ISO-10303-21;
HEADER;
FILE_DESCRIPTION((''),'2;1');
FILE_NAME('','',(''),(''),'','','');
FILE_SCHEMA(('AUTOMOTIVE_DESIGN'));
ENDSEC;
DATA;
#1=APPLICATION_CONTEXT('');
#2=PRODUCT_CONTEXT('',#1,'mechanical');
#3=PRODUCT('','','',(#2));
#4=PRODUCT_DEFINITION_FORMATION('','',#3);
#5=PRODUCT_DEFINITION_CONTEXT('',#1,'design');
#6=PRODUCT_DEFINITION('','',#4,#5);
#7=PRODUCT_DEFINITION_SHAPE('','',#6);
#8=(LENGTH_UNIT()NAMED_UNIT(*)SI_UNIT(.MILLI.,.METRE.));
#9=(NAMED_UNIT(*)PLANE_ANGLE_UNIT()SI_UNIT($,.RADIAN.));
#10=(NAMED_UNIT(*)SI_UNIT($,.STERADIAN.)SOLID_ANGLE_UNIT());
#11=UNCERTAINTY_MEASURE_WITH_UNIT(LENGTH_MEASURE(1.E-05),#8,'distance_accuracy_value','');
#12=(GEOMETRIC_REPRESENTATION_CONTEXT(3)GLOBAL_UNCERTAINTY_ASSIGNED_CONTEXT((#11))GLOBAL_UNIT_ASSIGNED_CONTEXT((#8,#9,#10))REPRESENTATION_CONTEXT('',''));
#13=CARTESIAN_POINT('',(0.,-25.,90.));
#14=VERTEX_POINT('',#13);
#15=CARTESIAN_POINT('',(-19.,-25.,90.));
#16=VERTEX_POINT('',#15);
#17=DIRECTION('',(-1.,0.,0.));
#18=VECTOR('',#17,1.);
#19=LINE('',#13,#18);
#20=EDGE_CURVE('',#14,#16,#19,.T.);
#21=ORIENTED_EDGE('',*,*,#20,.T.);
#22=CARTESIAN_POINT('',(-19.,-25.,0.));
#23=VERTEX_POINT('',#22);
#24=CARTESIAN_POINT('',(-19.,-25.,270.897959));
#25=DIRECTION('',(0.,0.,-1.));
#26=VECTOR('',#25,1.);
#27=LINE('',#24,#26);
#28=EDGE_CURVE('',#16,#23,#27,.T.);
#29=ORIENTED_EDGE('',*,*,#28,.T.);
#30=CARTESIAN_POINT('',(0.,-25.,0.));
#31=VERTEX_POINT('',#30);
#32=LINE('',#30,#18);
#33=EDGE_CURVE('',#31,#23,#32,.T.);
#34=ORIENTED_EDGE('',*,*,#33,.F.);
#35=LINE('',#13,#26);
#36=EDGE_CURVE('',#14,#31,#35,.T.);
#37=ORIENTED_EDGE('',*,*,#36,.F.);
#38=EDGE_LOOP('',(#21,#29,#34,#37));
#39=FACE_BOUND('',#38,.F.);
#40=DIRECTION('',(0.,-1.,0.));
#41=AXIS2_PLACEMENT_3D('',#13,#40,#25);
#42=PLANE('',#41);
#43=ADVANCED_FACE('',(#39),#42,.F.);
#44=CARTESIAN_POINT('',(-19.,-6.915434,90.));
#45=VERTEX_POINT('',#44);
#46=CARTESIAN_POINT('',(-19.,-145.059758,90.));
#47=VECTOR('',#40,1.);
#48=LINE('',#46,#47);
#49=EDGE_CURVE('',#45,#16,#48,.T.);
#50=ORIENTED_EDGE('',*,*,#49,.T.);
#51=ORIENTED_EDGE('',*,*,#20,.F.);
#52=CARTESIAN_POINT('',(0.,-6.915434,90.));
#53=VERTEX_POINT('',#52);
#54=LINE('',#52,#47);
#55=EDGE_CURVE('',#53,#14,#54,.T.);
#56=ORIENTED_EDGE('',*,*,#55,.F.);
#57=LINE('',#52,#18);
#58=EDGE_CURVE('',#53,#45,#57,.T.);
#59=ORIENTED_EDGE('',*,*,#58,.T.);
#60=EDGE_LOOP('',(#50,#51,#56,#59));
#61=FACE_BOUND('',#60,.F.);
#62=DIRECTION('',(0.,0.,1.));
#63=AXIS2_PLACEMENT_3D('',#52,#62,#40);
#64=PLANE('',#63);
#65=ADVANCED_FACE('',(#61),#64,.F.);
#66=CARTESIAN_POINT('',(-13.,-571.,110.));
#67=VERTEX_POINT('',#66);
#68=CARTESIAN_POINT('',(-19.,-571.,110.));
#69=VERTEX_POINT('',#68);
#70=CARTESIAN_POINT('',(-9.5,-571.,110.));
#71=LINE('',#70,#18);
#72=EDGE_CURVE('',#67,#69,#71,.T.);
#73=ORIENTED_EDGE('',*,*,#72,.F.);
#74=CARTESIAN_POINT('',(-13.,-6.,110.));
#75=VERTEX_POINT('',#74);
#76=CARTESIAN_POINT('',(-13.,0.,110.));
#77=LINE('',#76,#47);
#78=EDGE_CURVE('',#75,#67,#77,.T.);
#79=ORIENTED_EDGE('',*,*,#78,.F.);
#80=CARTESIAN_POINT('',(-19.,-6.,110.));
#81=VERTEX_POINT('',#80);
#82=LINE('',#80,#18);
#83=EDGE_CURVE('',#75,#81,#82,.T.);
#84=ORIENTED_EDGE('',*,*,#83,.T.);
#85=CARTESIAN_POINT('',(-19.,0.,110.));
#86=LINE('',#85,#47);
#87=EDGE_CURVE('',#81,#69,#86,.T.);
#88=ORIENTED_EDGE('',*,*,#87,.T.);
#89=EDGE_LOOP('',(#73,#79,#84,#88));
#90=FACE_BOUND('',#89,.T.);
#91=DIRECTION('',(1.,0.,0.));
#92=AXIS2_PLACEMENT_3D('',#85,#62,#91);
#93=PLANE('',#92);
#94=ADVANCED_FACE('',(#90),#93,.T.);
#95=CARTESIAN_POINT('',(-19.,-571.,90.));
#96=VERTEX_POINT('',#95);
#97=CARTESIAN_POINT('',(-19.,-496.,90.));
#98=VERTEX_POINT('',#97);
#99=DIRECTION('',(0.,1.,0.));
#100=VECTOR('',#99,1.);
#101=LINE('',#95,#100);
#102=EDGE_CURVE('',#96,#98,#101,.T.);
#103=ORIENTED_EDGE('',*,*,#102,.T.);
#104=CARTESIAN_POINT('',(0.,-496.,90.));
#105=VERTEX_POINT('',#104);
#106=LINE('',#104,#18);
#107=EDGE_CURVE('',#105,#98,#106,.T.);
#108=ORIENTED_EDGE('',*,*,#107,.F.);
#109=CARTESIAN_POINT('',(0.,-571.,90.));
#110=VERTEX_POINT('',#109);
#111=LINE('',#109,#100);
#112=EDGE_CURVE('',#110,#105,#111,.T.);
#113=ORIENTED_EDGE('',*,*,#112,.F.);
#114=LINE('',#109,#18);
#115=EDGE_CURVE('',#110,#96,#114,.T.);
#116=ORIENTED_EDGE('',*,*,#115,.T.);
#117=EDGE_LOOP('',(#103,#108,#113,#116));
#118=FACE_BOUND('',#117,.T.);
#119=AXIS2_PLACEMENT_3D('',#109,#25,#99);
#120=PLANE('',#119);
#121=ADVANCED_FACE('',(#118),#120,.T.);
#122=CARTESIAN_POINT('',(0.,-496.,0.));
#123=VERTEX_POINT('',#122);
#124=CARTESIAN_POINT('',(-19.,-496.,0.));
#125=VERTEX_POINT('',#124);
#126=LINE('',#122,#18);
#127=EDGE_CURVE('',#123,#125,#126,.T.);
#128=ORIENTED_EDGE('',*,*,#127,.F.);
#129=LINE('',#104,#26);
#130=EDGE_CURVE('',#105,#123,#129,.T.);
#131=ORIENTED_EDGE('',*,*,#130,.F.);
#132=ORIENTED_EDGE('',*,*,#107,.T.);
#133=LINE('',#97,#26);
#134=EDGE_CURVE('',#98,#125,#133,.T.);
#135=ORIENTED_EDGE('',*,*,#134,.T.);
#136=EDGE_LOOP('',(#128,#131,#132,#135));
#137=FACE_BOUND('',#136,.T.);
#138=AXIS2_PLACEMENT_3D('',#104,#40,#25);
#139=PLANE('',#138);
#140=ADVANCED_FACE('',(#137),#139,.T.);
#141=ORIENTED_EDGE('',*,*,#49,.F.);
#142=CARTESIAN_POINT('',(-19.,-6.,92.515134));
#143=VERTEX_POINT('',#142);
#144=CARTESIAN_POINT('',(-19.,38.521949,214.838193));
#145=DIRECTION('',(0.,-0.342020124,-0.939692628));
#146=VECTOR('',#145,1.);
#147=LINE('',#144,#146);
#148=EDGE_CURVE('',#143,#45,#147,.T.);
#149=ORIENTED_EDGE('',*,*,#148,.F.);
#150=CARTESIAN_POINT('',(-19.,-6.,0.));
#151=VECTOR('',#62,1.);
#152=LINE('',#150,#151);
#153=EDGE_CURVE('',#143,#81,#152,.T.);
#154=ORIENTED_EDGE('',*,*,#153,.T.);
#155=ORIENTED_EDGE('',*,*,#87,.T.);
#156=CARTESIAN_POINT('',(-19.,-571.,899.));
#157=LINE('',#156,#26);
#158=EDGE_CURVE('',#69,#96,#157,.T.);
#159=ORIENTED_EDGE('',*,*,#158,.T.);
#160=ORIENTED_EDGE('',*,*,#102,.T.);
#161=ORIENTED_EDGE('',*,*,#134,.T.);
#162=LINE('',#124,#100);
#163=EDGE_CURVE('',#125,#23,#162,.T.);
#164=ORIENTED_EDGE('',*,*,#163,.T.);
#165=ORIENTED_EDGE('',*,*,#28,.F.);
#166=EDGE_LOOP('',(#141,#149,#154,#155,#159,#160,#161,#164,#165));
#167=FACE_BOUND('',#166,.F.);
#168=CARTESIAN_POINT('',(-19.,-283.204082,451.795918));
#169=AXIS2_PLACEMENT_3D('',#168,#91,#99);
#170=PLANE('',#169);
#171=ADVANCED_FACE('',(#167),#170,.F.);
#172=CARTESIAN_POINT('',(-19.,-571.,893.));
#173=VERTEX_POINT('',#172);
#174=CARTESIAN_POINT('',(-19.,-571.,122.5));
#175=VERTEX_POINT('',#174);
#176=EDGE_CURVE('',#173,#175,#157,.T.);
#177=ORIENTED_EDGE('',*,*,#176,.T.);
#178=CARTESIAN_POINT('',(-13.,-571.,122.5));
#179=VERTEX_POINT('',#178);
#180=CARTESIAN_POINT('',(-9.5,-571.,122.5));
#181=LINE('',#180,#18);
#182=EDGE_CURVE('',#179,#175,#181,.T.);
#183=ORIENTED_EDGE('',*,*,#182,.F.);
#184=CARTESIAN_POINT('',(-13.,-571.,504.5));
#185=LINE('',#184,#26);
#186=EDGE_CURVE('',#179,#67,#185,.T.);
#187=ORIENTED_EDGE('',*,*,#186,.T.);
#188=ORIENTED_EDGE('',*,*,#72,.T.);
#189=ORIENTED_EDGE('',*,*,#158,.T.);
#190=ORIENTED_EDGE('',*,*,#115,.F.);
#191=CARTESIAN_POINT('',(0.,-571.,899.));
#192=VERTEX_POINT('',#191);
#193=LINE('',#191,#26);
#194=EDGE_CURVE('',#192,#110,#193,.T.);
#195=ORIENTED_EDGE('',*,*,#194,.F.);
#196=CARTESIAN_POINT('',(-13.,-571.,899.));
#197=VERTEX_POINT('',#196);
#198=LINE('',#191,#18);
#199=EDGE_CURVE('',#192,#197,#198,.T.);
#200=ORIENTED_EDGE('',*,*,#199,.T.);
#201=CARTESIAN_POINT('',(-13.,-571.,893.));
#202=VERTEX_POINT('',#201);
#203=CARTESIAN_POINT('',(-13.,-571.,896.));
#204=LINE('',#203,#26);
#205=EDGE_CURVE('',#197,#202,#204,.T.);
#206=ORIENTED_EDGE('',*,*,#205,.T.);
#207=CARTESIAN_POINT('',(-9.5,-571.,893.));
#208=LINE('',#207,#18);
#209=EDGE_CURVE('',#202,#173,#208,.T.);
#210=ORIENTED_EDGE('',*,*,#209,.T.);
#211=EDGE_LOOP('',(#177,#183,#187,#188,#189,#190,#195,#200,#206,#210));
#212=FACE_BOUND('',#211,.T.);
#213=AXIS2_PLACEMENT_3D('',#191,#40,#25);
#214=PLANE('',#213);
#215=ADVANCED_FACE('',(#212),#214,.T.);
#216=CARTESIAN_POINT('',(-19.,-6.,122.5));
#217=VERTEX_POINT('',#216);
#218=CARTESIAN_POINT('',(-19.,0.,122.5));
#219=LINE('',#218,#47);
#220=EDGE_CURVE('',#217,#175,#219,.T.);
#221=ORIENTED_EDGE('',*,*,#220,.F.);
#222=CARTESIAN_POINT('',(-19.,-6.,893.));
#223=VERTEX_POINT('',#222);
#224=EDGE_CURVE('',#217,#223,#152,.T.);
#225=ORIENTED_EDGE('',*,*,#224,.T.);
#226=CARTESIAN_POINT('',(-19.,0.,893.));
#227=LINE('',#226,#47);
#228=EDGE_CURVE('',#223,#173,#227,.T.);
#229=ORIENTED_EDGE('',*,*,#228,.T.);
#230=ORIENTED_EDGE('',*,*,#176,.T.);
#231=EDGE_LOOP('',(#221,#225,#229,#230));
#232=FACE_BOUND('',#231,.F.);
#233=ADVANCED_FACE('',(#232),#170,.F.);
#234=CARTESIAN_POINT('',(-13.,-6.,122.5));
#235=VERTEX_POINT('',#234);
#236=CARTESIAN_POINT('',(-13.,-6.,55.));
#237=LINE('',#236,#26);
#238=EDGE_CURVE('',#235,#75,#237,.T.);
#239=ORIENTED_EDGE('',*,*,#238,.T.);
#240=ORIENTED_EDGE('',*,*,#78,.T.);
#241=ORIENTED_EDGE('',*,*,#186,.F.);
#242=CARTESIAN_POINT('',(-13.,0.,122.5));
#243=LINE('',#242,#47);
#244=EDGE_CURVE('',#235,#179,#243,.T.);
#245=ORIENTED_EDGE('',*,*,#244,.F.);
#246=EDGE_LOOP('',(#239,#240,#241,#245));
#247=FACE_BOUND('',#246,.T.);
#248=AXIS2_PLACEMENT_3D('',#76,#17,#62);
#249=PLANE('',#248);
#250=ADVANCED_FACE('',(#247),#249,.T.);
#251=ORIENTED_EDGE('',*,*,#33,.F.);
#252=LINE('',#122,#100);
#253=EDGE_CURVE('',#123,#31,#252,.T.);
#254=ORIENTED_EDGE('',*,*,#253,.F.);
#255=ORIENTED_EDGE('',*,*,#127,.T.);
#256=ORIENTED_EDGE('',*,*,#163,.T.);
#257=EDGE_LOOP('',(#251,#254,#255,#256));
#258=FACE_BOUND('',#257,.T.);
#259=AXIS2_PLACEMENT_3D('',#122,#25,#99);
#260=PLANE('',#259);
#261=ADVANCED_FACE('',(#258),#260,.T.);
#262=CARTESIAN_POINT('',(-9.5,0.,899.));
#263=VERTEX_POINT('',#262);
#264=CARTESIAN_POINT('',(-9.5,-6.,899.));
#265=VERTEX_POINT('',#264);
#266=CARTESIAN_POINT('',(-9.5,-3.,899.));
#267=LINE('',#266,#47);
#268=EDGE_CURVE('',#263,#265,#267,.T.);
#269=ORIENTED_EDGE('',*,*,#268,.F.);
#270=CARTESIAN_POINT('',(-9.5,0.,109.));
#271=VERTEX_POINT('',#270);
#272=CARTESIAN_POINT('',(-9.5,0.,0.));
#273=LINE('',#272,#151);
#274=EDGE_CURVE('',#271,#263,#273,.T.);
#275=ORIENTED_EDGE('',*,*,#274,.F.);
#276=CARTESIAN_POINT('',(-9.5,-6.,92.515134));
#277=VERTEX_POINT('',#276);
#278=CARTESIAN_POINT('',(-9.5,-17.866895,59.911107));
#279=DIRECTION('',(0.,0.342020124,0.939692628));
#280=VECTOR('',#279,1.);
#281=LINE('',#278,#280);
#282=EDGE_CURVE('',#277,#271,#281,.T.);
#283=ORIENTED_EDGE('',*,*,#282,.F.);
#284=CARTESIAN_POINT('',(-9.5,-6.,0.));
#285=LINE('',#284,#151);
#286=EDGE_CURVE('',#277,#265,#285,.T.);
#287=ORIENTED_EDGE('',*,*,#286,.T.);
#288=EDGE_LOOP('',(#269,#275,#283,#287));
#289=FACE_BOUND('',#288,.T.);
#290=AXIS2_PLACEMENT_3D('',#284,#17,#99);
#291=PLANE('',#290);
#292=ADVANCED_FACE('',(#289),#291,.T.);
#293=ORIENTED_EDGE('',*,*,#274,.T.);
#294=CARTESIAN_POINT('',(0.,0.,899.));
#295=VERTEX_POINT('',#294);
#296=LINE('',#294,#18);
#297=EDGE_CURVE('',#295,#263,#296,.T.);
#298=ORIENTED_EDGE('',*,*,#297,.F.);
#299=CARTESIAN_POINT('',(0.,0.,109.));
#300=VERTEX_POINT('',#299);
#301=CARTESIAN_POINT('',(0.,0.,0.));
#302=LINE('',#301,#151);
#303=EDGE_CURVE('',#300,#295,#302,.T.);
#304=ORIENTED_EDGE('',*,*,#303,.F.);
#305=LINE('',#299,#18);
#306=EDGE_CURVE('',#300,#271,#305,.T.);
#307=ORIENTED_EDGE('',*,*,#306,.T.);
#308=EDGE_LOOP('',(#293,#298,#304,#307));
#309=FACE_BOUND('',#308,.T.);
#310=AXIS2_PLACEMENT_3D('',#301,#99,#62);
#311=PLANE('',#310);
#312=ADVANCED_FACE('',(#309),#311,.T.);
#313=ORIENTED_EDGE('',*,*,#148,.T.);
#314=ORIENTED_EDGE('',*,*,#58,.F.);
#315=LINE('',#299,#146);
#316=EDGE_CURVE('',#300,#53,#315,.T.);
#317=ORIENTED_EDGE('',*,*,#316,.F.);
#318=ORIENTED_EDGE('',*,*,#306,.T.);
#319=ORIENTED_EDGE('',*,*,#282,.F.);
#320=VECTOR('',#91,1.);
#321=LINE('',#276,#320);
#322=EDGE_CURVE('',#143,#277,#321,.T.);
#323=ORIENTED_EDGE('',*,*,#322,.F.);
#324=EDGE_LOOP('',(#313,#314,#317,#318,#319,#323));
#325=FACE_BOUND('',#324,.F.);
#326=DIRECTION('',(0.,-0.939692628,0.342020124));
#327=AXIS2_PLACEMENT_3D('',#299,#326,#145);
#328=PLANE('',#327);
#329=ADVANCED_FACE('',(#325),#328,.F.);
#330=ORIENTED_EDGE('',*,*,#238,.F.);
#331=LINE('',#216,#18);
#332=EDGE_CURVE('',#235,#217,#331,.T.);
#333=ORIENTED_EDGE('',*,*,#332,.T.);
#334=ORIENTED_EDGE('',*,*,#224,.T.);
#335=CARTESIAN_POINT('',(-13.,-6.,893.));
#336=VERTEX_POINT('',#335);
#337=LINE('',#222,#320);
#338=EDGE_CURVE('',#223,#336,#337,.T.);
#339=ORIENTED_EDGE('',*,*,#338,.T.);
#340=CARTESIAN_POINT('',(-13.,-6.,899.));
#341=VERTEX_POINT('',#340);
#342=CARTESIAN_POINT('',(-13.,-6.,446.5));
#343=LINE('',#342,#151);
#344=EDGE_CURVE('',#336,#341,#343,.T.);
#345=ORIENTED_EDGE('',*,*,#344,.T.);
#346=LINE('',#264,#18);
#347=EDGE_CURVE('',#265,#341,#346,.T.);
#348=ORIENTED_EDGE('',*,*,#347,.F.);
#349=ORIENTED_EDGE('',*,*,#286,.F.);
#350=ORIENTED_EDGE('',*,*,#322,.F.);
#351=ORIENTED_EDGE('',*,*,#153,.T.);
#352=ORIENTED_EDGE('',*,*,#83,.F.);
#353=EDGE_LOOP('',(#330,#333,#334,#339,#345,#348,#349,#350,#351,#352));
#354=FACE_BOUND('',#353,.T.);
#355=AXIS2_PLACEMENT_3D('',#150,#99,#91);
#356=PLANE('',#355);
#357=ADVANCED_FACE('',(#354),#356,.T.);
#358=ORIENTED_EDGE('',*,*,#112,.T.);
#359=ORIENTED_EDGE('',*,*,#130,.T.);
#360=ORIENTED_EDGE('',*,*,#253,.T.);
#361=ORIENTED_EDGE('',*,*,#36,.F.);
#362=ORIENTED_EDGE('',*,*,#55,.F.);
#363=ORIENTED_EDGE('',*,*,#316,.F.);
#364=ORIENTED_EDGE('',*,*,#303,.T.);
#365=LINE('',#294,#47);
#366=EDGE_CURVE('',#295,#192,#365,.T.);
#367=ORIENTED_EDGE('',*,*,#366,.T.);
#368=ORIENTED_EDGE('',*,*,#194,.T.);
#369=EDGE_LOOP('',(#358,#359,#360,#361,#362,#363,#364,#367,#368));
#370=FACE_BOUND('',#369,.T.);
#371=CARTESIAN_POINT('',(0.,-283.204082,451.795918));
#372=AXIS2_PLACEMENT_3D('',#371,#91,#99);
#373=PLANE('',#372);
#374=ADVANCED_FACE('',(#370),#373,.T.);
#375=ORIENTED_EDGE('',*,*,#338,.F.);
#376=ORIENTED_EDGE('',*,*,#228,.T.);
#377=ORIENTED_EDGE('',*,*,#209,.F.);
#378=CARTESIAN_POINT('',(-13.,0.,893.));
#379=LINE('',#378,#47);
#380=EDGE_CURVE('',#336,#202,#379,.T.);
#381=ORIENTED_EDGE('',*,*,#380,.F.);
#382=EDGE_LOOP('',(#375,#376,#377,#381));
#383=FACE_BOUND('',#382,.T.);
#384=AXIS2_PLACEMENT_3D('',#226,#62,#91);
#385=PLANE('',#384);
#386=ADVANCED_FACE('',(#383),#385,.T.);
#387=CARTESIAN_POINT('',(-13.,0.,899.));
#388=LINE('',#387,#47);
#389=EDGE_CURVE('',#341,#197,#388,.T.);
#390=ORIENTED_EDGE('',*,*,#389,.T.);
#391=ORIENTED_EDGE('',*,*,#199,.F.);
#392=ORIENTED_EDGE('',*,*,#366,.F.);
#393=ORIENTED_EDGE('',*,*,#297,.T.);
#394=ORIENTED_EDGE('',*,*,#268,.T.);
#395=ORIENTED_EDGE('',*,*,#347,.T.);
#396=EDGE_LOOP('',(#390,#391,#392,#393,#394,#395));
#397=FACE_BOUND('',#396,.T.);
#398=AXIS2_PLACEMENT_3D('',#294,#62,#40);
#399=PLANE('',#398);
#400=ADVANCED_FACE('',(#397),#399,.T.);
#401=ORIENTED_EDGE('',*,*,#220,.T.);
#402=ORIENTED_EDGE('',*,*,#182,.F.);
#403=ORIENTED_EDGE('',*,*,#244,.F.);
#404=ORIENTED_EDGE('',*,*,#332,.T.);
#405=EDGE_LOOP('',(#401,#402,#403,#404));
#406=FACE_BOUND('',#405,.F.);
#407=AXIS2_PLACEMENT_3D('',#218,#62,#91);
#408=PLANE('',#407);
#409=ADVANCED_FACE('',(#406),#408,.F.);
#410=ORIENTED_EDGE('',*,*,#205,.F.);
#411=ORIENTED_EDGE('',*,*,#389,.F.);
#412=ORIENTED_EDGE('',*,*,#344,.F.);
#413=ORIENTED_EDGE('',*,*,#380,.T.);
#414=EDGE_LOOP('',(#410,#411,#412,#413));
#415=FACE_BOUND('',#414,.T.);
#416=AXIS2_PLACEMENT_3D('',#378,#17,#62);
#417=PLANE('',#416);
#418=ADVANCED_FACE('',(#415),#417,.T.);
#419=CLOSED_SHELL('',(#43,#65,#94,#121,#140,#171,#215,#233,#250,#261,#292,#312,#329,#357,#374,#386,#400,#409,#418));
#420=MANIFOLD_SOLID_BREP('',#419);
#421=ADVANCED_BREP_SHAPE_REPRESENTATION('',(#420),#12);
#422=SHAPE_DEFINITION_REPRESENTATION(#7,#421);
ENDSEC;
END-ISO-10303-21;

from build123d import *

# Parameters (mm, degrees)
F1_DEPTH = 19
F2_W     = 6
F2_H     = 12.5
F3_DEPTH = 571.001
F4_W     = 9.5
F4_H     = 6
F5_DEPTH = 899.001
F7_DEPTH = 19.001
F8_W     = 6
F8_H     = 6
F9_DEPTH = 571.001


with BuildPart() as f1:
    # F0 (on Right) → F1 (new body)
    with BuildSketch(Plane.YZ):
        Polygon((-496, 0), (0, 0), (0, 899), (-571, 899), (-571, 90), (-496, 90), align=None)
    extrude(amount=-F1_DEPTH)

    # F2 (on Front) → F3 (cut, through all)
    with BuildSketch(Plane.XZ):
        with Locations((-16, 116.25)):
            Rectangle(F2_W, F2_H)
    extrude(amount=F3_DEPTH, mode=Mode.SUBTRACT)

    # F4 (on Top) → F5 (cut, through all)
    with BuildSketch(Plane.XY):
        with Locations((-14.25, -3)):
            Rectangle(F4_W, F4_H)
    extrude(amount=F5_DEPTH, mode=Mode.SUBTRACT)

    # F6 (on Right) → F7 (cut, through all)
    with BuildSketch(Plane.YZ):
        Polygon((-25, 0), (0, 0), (0, 109), (-6.915434, 90), (-25, 90), align=None)
    extrude(amount=-F7_DEPTH, mode=Mode.SUBTRACT)

    # F8 (on Front) → F9 (cut, through all)
    with BuildSketch(Plane.XZ):
        with Locations((-16, 896)):
            Rectangle(F8_W, F8_H)
    extrude(amount=F9_DEPTH, mode=Mode.SUBTRACT)


solid = f1.part
